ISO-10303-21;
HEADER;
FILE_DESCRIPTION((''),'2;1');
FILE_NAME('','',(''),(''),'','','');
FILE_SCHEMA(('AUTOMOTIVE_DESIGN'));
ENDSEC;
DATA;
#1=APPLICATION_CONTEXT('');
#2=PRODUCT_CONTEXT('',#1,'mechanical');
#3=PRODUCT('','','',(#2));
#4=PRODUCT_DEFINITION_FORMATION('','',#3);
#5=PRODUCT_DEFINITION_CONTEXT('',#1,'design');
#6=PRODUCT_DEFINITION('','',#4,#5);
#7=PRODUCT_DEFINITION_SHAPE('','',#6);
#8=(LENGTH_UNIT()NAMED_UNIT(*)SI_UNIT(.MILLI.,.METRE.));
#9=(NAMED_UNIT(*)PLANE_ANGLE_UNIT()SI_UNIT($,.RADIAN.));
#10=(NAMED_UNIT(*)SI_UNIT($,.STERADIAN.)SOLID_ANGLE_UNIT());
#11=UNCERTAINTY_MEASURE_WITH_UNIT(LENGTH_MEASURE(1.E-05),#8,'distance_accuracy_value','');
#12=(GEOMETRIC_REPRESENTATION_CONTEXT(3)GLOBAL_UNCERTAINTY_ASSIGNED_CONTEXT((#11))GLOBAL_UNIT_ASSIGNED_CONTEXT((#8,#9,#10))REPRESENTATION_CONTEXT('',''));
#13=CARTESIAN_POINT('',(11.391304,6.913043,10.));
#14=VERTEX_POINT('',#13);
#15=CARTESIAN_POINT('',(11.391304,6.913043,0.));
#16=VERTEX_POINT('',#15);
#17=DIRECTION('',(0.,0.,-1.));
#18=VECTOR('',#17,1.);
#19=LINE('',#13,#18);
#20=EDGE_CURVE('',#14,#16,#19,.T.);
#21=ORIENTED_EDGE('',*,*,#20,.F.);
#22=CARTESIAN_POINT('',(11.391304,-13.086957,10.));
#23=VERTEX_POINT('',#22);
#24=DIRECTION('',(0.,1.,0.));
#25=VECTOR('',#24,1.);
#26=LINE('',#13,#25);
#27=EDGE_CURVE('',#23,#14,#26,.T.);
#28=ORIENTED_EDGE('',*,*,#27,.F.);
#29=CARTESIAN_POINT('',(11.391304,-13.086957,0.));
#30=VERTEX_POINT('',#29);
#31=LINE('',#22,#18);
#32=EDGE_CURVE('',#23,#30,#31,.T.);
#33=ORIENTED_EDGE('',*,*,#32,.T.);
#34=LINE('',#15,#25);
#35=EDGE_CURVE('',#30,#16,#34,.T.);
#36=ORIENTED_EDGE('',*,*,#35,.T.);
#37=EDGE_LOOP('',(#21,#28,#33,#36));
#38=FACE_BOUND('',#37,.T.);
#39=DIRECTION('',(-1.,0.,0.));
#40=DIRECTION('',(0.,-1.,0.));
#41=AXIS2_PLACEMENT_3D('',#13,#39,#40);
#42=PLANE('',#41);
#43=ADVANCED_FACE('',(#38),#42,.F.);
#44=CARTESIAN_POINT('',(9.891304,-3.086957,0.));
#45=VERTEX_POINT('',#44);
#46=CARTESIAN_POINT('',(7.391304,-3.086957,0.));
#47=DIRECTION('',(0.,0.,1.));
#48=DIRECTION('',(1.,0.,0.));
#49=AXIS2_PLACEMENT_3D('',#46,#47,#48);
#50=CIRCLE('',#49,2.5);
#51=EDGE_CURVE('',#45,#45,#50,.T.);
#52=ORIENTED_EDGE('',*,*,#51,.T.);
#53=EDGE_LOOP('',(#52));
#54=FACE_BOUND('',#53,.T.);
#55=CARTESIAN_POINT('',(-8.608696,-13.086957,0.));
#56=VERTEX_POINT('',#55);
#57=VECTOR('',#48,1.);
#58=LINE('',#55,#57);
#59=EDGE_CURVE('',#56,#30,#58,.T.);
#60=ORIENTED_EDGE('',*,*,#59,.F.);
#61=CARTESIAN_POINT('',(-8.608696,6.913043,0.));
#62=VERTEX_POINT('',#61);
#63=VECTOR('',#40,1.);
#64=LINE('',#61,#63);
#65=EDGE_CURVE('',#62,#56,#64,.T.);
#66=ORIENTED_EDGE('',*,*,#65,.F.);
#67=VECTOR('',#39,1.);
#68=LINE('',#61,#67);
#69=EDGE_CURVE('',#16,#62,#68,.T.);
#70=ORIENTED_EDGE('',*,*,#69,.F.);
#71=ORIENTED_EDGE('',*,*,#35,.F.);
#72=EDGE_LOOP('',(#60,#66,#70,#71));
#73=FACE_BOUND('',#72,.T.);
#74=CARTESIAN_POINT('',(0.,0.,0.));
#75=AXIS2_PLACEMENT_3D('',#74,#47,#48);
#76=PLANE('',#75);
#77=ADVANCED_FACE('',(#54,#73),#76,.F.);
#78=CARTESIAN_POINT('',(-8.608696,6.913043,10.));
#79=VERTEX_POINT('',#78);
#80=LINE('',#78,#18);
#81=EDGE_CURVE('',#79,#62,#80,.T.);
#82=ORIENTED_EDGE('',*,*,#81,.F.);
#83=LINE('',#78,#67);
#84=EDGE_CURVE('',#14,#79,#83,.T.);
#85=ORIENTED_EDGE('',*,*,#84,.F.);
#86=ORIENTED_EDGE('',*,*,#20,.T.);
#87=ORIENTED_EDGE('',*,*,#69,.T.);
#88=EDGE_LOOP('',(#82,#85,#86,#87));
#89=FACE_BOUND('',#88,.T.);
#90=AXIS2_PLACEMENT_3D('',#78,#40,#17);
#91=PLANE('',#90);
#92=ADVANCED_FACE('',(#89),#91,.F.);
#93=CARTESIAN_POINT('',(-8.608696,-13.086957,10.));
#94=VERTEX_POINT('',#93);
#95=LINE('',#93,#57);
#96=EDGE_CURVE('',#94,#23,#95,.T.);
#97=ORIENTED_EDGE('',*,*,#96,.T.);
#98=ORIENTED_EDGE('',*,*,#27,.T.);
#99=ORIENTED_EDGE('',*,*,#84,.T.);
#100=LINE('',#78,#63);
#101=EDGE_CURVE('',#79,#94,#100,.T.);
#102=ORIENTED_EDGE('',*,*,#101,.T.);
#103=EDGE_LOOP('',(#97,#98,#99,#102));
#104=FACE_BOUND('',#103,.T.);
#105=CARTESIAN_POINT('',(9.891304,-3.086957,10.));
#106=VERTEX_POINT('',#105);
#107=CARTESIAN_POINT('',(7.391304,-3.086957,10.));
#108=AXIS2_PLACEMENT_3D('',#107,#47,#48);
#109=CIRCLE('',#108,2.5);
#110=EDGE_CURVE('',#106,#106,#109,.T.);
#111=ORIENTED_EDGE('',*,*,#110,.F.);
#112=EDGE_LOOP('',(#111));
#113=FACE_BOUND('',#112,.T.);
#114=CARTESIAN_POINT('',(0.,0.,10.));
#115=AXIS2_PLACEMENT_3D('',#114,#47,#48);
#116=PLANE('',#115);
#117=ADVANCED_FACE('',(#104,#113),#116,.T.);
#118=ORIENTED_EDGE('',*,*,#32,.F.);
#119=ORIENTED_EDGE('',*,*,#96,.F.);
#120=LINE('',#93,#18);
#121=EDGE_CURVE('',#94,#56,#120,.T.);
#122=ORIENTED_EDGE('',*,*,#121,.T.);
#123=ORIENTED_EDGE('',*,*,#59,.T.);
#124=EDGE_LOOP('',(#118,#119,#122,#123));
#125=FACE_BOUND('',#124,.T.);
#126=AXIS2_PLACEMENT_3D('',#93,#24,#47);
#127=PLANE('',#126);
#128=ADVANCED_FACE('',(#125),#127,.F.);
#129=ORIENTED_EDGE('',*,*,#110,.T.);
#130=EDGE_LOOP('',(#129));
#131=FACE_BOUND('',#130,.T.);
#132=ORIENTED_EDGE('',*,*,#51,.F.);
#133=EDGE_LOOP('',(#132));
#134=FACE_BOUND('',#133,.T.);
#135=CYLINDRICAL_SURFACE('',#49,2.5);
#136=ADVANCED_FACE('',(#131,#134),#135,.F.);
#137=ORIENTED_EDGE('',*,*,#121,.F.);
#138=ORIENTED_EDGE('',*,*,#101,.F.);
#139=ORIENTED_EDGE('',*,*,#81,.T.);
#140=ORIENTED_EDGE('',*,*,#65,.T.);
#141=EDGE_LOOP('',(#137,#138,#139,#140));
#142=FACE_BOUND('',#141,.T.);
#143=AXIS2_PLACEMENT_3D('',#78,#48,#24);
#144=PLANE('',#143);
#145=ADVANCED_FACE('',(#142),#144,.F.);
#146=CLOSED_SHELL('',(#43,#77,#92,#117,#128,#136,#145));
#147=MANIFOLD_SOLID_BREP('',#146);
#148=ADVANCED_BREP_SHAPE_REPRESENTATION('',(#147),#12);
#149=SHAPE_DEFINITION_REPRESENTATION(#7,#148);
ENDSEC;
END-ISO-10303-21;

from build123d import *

# Parameters (mm, degrees)
SKETCH_1_W          = 20
SKETCH_1_H          = 20
EXTRUDE_1_DEPTH     = 10
SKETCH_4_R          = 2.5
CUT_EXTRUDE_1_DEPTH = 10


with BuildPart() as part:
    # 草图1 → 凸台-拉伸1 (new body)
    with BuildSketch(Plane.XY):
        with Locations((1.391304348, -3.086956522)):
            Rectangle(SKETCH_1_W, SKETCH_1_H)
    extrude(amount=EXTRUDE_1_DEPTH)

    # 草图4 → 切除-拉伸1 (cut)
    with BuildSketch(Plane.XY.offset(10)):
        with Locations((7.391304348, -3.086956522)):
            Circle(SKETCH_4_R)
    extrude(amount=-CUT_EXTRUDE_1_DEPTH, mode=Mode.SUBTRACT)


solid = part.part
